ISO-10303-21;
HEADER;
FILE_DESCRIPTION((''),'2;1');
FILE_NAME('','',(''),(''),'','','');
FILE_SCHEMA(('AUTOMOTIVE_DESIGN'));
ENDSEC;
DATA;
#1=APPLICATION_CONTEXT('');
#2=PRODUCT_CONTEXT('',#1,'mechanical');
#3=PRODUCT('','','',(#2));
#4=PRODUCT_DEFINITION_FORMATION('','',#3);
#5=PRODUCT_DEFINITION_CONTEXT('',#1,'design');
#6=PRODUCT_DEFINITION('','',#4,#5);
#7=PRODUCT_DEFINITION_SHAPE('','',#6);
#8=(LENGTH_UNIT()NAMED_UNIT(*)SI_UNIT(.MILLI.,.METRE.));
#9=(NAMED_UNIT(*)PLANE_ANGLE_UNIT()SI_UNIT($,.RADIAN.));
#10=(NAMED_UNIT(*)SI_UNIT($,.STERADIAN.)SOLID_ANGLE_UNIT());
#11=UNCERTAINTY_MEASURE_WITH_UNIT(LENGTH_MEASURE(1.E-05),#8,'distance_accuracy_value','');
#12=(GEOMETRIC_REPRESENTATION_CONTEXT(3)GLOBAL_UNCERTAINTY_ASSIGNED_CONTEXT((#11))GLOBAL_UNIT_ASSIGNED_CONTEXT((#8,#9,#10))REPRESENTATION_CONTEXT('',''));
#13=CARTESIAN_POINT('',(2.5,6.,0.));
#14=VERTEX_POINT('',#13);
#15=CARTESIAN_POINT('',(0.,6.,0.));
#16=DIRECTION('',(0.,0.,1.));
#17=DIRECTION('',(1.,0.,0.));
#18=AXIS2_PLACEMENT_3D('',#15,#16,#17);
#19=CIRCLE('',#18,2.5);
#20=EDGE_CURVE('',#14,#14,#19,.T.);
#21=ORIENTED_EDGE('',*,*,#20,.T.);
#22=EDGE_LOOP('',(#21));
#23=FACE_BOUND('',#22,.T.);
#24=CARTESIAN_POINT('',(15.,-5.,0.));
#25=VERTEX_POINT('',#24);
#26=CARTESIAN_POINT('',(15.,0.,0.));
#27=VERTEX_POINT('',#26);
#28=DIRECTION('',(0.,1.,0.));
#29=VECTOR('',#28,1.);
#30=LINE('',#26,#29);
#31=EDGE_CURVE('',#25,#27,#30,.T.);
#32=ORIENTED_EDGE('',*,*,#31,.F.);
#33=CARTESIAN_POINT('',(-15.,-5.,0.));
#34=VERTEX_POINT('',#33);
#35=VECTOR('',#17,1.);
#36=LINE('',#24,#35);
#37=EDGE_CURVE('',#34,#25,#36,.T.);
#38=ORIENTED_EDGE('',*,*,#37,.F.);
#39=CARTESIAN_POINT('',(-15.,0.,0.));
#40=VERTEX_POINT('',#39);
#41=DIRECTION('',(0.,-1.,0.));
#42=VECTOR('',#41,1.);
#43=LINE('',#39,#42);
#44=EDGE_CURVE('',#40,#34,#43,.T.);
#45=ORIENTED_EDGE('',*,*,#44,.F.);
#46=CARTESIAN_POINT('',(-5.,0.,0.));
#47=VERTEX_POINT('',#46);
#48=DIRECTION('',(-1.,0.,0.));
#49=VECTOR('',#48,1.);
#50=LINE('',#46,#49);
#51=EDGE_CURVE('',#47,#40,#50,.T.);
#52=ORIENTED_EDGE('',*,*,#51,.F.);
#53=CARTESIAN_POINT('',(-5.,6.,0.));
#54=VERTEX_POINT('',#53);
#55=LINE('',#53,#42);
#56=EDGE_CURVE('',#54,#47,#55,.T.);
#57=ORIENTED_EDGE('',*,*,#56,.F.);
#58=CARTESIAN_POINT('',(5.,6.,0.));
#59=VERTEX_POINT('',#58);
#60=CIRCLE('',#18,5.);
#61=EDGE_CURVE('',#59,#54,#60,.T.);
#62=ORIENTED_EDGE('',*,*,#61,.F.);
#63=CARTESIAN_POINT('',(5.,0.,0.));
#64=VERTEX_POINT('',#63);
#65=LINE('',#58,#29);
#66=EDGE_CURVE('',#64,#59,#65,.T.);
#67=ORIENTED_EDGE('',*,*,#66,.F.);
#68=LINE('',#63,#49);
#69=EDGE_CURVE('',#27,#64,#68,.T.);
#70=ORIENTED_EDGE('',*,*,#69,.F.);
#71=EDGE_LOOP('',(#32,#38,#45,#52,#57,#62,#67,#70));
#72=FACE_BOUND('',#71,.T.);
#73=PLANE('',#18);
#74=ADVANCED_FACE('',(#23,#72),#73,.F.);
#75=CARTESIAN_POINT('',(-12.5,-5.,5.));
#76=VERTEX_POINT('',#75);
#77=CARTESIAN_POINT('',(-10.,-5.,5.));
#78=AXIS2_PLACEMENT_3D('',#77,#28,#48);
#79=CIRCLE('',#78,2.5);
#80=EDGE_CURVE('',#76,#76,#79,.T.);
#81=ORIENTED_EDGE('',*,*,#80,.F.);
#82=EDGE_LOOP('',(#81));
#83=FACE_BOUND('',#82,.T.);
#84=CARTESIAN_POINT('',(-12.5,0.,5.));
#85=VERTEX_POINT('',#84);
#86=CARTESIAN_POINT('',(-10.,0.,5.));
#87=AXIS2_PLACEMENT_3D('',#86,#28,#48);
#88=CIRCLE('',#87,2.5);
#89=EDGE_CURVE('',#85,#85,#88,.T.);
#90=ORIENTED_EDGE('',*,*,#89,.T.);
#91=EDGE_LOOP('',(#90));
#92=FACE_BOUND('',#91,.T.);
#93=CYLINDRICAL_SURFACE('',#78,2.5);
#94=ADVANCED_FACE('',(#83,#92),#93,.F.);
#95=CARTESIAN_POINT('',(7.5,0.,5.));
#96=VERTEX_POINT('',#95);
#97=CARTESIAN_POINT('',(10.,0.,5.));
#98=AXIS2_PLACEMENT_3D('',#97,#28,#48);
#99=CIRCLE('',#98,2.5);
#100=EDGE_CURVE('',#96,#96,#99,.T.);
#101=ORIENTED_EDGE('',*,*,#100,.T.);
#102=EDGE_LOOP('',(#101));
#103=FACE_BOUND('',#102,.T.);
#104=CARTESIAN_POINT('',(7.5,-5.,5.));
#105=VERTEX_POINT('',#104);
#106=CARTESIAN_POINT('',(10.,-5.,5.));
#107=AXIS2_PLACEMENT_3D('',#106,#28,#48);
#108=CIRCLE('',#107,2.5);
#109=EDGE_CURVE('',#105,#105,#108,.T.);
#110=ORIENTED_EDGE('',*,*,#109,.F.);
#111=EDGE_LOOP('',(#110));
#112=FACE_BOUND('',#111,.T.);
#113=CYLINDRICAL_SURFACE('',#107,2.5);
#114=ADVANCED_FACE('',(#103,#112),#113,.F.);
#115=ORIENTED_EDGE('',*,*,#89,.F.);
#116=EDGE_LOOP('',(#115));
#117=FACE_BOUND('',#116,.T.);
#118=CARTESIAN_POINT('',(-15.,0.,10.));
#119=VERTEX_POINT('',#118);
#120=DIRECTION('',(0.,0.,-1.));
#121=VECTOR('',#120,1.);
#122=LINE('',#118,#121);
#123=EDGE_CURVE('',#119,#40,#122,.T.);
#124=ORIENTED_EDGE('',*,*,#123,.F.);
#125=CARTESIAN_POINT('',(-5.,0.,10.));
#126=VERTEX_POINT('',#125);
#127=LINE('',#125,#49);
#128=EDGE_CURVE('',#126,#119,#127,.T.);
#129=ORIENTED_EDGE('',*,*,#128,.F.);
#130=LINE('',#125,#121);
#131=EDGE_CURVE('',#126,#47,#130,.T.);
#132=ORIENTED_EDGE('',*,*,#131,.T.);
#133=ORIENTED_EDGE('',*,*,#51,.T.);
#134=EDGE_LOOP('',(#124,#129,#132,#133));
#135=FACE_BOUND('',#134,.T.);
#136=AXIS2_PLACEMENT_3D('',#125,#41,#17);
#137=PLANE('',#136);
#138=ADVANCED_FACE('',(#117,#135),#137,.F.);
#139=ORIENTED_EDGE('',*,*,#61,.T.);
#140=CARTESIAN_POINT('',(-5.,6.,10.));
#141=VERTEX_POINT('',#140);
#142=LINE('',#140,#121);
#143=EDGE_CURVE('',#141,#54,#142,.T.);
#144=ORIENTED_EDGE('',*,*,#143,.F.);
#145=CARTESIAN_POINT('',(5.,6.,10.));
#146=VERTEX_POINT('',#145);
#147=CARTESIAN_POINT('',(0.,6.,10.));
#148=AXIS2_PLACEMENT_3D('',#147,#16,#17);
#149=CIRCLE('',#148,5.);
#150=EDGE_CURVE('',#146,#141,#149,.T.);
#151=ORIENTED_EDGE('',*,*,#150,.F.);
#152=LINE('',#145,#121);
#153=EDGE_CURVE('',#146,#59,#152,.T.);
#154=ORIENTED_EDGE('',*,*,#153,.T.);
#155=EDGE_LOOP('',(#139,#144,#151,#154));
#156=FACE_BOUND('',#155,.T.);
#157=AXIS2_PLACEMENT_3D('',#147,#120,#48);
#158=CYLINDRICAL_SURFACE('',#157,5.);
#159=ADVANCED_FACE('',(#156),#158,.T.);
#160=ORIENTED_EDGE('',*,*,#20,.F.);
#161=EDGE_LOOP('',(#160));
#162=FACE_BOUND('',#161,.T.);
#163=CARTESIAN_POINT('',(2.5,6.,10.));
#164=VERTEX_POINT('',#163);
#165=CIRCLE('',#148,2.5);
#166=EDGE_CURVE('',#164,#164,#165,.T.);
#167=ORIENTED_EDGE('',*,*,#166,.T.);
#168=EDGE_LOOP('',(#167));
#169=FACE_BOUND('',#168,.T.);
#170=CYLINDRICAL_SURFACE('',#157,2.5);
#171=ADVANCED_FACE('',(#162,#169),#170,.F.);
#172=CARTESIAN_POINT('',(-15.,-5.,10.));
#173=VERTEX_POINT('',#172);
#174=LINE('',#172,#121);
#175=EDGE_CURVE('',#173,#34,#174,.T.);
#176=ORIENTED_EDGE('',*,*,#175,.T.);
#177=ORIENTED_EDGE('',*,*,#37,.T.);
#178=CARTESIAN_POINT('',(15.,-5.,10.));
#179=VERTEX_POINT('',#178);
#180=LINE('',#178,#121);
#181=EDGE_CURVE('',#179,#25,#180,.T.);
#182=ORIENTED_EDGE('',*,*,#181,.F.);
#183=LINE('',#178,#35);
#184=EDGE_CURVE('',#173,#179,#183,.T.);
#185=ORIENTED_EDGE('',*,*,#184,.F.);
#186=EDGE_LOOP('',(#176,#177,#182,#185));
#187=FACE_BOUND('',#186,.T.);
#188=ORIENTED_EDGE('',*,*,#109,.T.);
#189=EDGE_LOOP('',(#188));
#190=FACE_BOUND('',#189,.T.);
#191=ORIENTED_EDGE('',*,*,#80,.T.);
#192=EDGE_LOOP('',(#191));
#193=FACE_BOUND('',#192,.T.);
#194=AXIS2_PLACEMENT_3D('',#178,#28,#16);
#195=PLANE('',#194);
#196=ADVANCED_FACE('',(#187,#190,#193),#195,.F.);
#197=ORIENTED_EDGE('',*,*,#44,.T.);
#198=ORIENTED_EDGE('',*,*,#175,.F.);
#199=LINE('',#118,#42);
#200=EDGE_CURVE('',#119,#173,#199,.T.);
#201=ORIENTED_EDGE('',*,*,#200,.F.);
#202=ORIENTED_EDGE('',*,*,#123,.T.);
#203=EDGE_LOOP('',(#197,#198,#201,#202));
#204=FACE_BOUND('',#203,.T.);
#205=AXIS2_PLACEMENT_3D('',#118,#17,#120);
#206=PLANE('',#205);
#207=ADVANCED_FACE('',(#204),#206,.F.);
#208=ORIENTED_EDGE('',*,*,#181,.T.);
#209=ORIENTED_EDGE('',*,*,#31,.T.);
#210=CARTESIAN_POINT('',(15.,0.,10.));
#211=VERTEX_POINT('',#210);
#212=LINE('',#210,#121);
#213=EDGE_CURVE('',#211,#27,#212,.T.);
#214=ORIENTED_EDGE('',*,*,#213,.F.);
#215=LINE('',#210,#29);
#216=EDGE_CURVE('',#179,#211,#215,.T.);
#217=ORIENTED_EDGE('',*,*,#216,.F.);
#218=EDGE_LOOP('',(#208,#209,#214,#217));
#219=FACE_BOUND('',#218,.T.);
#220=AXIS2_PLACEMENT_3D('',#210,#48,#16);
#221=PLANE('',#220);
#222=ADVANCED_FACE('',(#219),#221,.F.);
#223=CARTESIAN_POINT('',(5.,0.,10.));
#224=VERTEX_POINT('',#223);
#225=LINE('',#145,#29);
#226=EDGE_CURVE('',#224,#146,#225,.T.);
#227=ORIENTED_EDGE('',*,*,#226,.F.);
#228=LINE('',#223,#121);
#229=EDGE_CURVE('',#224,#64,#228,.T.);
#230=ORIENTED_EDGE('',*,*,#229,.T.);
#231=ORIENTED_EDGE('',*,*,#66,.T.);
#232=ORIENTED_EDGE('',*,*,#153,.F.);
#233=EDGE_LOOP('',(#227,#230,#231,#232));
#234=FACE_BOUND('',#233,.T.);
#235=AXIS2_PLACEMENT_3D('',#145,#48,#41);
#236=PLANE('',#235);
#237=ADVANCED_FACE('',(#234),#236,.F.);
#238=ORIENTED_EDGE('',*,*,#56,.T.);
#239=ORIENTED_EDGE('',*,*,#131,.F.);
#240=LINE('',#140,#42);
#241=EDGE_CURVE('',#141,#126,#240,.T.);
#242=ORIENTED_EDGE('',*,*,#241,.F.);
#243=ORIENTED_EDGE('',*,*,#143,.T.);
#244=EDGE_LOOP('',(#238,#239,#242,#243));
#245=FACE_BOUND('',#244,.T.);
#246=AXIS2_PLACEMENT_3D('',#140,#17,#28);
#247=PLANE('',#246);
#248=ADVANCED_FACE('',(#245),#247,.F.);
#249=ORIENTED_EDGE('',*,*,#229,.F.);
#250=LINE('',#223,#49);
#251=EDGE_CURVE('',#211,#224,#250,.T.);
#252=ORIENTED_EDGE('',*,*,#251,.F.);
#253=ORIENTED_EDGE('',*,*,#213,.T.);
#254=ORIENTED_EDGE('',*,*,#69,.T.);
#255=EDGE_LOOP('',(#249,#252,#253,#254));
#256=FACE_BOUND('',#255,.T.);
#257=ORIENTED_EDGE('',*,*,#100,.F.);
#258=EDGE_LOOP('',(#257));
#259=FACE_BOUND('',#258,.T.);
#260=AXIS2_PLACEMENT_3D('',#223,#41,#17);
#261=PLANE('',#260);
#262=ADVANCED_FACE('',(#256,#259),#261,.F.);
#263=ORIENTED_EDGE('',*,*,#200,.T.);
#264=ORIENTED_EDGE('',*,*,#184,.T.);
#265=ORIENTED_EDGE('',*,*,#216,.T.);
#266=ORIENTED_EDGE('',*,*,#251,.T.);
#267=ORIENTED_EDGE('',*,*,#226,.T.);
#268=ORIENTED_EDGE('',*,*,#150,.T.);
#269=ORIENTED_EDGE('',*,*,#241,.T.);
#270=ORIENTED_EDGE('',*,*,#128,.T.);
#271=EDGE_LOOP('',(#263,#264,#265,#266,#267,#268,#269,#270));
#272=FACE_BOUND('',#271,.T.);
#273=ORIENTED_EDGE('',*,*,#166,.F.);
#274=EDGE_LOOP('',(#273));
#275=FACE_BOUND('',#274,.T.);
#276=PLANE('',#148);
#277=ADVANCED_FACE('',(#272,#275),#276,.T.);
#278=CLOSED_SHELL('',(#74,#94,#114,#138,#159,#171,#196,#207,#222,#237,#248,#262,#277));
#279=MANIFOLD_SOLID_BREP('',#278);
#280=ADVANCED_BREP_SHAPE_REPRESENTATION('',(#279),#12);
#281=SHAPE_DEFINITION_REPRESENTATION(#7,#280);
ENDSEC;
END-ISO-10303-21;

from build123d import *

# Parameters (mm, degrees)
SKETCH_1_R          = 2.5
EXTRUDE_1_DEPTH     = 10
SKETCH_2_R          = 2.5
CUT_EXTRUDE_1_DEPTH = 5
SKETCH_3_R          = 2.5
CUT_EXTRUDE_2_DEPTH = 5


with BuildPart() as part:
    # 草图1 → 凸台-拉伸1 (new body)
    with BuildSketch(Plane.XY):
        with BuildLine():
            Line((5, 0), (15, 0))
            Line((15, 0), (15, -5))
            Line((15, -5), (-15, -5))
            Line((-15, -5), (-15, 0))
            Line((-15, 0), (-5, 0))
            Line((-5, 0), (-5, 6))
            ThreePointArc((-5, 6), (0, 11), (5, 6))
            Line((5, 6), (5, 0))
        make_face()
        with Locations((0, 6)):
            Circle(SKETCH_1_R, mode=Mode.SUBTRACT)
    extrude(amount=EXTRUDE_1_DEPTH)

    # 草图2 → 切除-拉伸1 (cut)
    with BuildSketch(Plane(origin=(0, 0, 0), x_dir=(1, 0, 0), z_dir=(0, 1, 0))):
        with Locations(Location((-10, -5, 0), (0, 0, 180))):
            Circle(SKETCH_2_R)
    extrude(amount=-CUT_EXTRUDE_1_DEPTH, mode=Mode.SUBTRACT)

    # 草图3 → 切除-拉伸2 (cut)
    with BuildSketch(Plane(origin=(0, 0, 0), x_dir=(1, 0, 0), z_dir=(0, 1, 0))):
        with Locations(Location((10, -5, 0), (0, 0, 180))):
            Circle(SKETCH_3_R)
    extrude(amount=-CUT_EXTRUDE_2_DEPTH, mode=Mode.SUBTRACT)


solid = part.part
